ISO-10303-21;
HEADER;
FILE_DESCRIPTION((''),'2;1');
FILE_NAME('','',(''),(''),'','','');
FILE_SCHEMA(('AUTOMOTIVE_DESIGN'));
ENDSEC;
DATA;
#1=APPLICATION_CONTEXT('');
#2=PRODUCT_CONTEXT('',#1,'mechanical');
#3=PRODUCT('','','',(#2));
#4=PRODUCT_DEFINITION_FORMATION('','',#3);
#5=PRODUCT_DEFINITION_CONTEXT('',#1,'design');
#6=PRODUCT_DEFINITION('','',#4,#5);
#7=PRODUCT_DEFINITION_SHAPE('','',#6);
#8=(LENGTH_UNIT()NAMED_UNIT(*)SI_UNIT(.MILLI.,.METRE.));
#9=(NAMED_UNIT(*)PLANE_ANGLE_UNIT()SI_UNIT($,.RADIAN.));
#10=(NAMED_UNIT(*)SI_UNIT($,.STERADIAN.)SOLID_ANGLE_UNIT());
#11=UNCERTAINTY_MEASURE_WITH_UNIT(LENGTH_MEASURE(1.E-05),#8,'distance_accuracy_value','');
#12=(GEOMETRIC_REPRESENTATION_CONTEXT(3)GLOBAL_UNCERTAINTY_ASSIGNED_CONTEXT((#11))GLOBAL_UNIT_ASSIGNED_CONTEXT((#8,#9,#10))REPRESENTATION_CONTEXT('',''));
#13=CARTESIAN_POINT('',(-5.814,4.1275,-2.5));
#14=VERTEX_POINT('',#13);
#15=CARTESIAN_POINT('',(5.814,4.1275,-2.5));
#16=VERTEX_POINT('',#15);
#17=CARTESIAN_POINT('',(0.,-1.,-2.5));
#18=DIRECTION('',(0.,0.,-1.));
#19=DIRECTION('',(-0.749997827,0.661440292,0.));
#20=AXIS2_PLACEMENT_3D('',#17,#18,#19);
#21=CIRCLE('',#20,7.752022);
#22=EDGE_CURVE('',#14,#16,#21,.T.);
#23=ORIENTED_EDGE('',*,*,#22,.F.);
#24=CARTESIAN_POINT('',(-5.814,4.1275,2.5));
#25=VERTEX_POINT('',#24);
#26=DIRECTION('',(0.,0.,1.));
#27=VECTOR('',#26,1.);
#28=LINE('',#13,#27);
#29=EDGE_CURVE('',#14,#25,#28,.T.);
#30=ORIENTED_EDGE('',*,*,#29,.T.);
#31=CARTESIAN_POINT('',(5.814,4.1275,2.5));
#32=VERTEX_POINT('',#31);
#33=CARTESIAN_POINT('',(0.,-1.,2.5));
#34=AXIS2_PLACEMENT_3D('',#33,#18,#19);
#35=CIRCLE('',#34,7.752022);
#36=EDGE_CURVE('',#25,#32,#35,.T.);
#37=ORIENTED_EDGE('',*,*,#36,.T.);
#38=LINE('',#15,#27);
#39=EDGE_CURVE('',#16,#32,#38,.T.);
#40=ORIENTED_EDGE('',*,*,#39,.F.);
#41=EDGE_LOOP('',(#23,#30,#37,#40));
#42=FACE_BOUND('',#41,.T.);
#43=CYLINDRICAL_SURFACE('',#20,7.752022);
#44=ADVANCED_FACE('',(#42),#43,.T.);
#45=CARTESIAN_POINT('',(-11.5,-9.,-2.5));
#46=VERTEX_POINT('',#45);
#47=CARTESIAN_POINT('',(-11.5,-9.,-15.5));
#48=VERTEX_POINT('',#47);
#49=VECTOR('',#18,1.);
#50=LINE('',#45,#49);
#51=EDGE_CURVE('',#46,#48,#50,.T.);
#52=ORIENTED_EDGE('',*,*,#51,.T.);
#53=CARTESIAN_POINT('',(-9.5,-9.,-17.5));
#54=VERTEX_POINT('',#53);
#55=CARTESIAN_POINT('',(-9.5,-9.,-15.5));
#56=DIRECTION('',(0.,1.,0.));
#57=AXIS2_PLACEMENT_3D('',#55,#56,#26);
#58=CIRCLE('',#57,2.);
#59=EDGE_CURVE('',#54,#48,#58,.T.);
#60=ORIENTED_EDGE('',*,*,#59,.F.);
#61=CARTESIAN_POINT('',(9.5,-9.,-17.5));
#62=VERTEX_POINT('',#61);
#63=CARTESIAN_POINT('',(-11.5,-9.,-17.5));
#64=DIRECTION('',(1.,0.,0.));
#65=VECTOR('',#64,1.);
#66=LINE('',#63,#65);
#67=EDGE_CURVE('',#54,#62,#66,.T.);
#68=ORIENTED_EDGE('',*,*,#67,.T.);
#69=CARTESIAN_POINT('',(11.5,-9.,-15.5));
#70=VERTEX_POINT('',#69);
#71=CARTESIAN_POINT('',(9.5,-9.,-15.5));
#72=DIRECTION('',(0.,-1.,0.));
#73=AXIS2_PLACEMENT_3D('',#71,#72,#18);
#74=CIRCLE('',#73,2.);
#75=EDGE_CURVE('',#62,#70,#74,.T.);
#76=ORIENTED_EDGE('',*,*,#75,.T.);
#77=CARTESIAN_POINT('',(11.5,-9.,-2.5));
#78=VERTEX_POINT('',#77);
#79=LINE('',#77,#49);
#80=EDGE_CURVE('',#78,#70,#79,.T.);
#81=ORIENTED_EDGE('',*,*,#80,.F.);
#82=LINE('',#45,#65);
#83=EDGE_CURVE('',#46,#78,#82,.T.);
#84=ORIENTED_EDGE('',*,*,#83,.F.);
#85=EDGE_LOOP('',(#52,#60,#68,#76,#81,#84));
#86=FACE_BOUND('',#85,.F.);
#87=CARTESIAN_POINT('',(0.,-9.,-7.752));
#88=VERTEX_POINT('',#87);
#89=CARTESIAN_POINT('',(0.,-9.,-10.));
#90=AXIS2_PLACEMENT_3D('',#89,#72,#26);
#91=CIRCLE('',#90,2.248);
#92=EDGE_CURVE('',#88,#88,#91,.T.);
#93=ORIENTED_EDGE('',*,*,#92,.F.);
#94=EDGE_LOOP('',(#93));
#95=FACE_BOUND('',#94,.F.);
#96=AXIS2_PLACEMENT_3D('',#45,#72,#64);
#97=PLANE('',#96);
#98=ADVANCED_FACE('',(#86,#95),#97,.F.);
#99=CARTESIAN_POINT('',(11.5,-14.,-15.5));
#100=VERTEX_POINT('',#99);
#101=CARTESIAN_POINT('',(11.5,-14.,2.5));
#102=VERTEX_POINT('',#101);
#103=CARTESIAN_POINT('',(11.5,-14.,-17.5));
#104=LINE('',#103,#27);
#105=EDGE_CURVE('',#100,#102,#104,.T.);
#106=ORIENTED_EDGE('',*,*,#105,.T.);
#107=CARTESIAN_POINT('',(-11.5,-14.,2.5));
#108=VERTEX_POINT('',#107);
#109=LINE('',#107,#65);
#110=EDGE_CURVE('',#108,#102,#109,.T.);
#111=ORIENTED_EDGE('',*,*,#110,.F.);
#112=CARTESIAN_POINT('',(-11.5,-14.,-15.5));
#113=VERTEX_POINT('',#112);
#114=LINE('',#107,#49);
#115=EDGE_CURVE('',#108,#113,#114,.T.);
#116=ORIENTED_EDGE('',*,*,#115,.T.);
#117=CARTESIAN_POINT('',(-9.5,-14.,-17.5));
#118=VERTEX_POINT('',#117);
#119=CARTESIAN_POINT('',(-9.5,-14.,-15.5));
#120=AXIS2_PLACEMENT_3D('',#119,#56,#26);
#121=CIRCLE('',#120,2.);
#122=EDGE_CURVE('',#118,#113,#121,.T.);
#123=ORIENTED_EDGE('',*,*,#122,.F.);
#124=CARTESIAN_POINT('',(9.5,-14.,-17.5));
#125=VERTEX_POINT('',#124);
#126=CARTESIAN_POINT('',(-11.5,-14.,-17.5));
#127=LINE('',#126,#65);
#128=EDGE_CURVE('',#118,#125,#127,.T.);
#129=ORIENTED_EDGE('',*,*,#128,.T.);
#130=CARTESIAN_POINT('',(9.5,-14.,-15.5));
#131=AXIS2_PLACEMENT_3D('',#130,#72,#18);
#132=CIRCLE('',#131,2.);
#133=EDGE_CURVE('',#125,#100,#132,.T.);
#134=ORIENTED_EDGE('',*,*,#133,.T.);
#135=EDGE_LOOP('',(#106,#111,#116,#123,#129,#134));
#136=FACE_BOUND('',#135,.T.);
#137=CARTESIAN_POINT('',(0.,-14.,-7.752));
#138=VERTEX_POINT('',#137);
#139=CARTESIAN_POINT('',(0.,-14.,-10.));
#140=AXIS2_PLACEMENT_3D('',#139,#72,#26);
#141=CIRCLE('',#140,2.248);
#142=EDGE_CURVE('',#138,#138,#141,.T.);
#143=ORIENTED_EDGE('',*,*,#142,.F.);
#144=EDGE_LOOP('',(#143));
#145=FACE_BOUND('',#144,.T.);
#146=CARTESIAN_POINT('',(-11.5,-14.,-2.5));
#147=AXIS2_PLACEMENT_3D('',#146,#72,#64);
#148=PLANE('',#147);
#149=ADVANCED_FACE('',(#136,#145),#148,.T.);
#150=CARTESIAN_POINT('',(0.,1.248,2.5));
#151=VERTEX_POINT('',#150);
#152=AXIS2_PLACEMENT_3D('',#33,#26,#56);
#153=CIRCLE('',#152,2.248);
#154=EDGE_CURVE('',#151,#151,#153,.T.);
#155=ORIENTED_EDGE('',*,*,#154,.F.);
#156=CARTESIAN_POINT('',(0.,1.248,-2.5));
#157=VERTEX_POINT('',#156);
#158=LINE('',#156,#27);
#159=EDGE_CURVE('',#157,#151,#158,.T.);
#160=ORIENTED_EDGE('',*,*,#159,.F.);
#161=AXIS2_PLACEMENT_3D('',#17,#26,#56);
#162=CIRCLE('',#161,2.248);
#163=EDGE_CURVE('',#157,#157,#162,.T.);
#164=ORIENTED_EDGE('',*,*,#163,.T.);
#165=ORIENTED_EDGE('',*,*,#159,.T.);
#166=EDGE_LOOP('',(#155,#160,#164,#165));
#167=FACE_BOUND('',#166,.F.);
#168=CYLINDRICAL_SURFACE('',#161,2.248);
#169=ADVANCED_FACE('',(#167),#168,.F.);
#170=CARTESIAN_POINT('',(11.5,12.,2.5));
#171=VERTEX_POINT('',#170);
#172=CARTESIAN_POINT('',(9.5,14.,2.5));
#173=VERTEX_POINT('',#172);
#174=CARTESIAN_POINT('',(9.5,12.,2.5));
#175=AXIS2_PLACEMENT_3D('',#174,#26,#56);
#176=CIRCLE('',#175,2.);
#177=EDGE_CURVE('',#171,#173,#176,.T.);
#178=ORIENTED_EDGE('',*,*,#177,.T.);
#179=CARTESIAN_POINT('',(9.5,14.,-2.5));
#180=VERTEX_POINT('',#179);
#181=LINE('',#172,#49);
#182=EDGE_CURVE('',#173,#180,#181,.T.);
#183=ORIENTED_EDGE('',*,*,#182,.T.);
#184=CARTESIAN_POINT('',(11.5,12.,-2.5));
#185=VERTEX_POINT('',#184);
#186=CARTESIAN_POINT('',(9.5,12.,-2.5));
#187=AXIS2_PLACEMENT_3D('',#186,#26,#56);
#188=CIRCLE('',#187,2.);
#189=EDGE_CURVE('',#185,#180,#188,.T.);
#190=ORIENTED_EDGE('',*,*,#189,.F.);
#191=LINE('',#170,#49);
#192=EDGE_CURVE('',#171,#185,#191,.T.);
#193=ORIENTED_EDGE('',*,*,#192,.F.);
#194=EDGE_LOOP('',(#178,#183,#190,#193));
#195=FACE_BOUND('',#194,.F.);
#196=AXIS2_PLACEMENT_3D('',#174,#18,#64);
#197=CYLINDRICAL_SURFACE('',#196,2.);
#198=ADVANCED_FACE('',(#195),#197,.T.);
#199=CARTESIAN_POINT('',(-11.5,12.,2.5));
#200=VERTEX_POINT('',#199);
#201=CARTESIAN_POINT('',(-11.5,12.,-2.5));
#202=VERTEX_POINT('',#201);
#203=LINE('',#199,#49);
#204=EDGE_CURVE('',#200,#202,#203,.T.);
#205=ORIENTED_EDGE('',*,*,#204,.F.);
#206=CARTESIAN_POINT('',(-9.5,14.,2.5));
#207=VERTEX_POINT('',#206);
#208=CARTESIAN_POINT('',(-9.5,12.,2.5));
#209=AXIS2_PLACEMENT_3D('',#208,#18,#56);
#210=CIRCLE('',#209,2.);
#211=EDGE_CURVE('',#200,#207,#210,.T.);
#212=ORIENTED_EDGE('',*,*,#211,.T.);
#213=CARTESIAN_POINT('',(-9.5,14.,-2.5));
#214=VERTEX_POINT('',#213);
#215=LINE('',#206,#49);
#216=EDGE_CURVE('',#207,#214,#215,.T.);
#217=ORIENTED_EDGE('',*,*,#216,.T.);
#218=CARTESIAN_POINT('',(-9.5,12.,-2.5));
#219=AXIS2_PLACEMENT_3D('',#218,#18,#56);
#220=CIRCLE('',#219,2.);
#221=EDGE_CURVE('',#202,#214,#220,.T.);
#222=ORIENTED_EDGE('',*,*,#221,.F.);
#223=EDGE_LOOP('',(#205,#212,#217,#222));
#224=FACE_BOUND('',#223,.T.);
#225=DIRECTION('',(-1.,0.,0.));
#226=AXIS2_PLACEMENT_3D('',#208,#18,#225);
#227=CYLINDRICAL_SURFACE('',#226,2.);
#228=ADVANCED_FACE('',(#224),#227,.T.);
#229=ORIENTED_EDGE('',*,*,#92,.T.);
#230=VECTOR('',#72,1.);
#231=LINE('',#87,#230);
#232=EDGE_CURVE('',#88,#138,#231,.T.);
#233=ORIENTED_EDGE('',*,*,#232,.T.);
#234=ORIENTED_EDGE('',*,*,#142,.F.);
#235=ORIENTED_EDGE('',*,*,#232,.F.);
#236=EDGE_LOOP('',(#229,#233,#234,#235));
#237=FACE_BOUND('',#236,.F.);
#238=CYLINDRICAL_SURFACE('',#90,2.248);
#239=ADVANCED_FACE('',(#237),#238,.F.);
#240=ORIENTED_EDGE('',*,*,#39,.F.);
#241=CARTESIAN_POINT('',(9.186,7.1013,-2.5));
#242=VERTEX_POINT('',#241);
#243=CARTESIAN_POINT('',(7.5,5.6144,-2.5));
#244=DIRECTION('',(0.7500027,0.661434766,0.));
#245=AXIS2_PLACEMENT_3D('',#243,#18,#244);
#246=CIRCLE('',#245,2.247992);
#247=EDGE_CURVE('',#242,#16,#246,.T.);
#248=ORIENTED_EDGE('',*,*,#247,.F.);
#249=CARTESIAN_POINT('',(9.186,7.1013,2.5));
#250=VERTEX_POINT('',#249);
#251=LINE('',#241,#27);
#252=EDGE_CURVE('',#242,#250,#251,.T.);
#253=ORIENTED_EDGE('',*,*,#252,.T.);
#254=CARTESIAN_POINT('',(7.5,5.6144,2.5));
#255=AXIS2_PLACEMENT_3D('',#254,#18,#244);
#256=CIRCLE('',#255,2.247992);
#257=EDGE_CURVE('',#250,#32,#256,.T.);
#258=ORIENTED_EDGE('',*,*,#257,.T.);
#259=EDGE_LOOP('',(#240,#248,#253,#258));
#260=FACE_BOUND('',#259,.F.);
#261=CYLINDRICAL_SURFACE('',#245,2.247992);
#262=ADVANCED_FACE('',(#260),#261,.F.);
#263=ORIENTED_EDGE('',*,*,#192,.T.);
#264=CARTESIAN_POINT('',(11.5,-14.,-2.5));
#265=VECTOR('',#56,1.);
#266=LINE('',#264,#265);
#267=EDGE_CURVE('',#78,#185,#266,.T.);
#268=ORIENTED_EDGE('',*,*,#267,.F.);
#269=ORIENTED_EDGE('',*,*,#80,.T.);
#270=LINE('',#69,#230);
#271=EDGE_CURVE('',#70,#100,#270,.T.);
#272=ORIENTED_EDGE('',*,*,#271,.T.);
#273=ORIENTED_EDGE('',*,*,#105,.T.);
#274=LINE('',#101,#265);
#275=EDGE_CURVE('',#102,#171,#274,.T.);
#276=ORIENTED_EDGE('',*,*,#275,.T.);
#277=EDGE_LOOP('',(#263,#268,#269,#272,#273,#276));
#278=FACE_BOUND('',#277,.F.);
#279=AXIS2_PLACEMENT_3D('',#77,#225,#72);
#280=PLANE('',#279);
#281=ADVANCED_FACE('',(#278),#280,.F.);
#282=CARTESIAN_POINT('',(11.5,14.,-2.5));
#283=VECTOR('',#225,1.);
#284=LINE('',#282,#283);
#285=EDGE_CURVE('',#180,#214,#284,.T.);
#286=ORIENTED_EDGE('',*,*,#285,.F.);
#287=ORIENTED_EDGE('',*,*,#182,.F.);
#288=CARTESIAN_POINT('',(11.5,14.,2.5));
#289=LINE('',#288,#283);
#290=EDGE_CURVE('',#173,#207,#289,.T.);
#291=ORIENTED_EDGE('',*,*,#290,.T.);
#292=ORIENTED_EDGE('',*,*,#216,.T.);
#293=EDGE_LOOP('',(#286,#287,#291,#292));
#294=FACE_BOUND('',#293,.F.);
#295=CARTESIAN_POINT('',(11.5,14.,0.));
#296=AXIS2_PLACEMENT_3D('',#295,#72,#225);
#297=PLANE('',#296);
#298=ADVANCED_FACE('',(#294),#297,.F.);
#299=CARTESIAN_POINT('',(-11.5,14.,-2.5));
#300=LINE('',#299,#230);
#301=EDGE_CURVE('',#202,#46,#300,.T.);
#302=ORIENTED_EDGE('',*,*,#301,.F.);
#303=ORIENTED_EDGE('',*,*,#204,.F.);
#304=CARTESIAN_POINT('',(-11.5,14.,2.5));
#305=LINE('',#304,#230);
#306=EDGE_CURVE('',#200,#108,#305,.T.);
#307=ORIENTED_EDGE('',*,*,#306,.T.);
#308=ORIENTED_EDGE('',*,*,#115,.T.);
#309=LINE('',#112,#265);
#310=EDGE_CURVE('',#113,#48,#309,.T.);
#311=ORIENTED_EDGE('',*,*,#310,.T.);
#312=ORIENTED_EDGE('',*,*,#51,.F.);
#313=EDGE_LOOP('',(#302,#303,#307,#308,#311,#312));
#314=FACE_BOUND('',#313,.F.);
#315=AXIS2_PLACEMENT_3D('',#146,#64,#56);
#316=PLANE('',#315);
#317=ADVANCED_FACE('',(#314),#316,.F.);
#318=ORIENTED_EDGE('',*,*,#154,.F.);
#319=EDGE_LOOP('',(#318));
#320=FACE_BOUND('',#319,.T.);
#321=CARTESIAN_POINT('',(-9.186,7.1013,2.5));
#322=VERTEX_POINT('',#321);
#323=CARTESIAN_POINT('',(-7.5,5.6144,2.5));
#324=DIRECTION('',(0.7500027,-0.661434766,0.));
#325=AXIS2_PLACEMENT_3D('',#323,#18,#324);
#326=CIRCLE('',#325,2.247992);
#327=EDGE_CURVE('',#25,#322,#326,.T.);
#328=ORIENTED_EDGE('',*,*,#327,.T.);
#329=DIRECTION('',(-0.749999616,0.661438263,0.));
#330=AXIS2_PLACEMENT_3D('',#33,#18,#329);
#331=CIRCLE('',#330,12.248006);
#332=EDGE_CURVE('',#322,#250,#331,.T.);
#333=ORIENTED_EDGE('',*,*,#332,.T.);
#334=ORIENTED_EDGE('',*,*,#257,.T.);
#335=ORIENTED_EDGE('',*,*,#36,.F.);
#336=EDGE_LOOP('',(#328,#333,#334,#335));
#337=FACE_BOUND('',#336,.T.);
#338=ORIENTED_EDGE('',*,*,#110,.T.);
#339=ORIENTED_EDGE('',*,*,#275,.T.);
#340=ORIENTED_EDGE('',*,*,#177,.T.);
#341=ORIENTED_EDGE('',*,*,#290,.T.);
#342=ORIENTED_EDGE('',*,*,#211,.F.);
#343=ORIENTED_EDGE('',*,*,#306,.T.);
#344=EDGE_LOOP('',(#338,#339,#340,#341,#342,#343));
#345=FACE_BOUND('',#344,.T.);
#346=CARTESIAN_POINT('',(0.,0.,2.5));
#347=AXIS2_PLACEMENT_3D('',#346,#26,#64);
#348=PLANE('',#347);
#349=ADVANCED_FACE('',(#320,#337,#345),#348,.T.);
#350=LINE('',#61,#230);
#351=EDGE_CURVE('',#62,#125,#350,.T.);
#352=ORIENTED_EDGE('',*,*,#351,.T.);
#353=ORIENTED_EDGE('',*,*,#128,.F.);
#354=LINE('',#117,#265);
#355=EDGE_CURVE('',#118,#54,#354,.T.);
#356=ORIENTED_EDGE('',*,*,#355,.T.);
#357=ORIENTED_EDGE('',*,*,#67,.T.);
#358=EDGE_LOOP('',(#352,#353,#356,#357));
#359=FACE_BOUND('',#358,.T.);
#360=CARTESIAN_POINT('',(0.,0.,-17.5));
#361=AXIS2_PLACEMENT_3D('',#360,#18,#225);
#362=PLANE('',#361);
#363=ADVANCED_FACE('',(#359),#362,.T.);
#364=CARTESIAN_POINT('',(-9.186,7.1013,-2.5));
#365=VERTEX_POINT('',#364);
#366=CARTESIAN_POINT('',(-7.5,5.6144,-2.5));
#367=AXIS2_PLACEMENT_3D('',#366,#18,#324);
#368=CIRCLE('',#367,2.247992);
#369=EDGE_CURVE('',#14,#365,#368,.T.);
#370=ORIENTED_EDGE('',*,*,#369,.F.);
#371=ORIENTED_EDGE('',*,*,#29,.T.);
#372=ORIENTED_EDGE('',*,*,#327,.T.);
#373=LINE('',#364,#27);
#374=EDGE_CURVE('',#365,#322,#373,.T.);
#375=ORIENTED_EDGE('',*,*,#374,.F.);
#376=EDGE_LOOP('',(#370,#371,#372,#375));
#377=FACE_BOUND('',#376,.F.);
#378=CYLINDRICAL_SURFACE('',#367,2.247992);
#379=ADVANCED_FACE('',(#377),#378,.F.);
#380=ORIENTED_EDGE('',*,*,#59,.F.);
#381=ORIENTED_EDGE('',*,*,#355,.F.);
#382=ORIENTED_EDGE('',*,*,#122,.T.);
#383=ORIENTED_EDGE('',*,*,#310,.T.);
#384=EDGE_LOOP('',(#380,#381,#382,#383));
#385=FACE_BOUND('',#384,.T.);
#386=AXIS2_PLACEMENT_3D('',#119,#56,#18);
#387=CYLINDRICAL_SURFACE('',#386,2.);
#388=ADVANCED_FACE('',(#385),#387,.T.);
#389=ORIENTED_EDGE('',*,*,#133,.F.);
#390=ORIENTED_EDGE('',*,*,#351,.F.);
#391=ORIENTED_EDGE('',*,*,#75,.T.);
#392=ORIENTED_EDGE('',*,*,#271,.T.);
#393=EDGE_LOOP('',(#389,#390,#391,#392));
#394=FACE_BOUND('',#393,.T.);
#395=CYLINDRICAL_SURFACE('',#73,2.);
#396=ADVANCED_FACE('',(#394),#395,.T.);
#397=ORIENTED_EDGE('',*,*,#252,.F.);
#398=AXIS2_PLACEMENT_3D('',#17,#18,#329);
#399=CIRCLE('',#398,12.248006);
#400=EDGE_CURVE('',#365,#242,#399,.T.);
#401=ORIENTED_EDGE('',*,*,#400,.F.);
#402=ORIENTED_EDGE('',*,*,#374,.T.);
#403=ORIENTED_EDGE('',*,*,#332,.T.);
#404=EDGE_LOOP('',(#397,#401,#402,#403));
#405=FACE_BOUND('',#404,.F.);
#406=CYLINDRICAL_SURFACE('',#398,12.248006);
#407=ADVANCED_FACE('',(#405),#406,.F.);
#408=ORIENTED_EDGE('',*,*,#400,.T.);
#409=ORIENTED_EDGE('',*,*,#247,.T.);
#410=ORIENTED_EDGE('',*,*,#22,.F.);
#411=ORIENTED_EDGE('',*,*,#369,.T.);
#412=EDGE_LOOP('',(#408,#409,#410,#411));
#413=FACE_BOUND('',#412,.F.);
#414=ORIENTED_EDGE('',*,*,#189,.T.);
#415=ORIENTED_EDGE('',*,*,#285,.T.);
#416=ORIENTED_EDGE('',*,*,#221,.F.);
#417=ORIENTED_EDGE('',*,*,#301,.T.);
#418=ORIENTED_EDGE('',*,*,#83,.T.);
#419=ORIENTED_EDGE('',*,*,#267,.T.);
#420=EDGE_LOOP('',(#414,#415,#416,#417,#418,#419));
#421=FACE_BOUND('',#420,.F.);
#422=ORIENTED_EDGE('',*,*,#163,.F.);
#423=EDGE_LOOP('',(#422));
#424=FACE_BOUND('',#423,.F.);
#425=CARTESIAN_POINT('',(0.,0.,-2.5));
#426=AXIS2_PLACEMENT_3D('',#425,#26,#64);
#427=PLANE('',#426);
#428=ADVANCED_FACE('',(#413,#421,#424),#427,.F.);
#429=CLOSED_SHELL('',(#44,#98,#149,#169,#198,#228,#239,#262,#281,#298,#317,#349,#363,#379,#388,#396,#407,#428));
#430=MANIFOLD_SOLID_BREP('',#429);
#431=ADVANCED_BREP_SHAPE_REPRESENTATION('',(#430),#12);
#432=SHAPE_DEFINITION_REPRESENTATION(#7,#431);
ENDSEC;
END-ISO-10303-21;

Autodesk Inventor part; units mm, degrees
ref_plane "YZ Plane" through (0, 0, 0) normal (1, 0, 0) x (0, 1, 0)
ref_plane "XZ Plane" through (0, 0, 0) normal (0, 1, 0) x (-1, 0, 0)
ref_plane "XY Plane" through (0, 0, 0) normal (0, 0, 1) x (1, 0, 0)
sketch "Sketch1" plane through (0, 0, 0) normal (0, 0, 1) x (1, 0, 0)
  line L0 (-11.5, -14) -> (11.5, -14)
  line L1 (11.5, -14) -> (11.5, 14)
  line L2 (11.5, 14) -> (-11.5, 14)
  line L3 (-11.5, 14) -> (-11.5, -14)
  line L4 (-11.5, -14) -> (11.5, 14) construction
  line L5 (11.5, -14) -> (-11.5, 14) construction
  point P0 (0, 0)
  dimension "d0" = 23
  dimension "d1" = 28
extrude "Extrusion1" add sketch "Sketch1" along normal mid plane 5
sketch "Sketch2" plane through (0, 0, -2.5) normal (0, 0, -1) x (-1, 0, 0)
  line L0 (11.5, -14) -> (-11.5, -14) projected
  line L1 (-11.5, -14) -> (11.5, -14)
  line L2 (11.5, -14) -> (11.5, -9)
  line L3 (11.5, -9) -> (-11.5, -9)
  line L4 (-11.5, -9) -> (-11.5, -14)
  line L5 (11.5, -14) -> (11.5, 14) projected
  point P0 (0, 0)
  dimension "d4" = 5
extrude "Extrusion2" add sketch "Sketch2" along normal blind 15
sketch "Sketch3" plane through (-11.5, -9, -2.5) normal (0, 1, 0) x (1, 0, 0)
  line L0 (0, 0) -> (0, 15) projected
  line L1 (0, 15) -> (23, 15) projected
  point P0 (11.5, -2.5)
  point P1 (11.5, 7.5)
  point P2 (0, 7.5)
  point P3 (11.5, 15)
hole "Hole1" at (0, -9, -10) direction (0, -1, 0) diameter 4.496 end through all clearance for "Flat Head Machine Screw (82)" size "#8" standard "Ansi Unified Screw Threads"
sketch "Sketch4" plane through (0, 0, -2.5) normal (0, 0, -1) x (-1, 0, 0)
  line L0 (11.5, 14) -> (-11.5, 14) projected
  line L1 (11.5, -9) -> (-11.5, -9) projected
  point P0 (0, 0)
  point P1 (0, -1)
  point P2 (0, 14)
  dimension "d14" = 8
hole "Hole2" at (0, -1, -2.5) direction (0, 0, 1) diameter 4.496 end through all clearance for "Flat Head Machine Screw (82)" size "#8" standard "Ansi Unified Screw Threads"
sketch "Sketch5" plane through (0, 0, -2.5) normal (0, 0, -1) x (-1, 0, 0)
  circle A0 centre (0, -1) radius 10 construction
  arc A1 (-9.186, 7.1013) -> (-5.814, 4.1275) centre (-7.5, 5.6144) ccw
  arc A2 (5.814, 4.1275) -> (9.186, 7.1013) centre (7.5, 5.6144) ccw
  arc A3 (9.186, 7.1013) -> (-9.186, 7.1013) centre (0, -1) ccw
  arc A4 (5.814, 4.1275) -> (-5.814, 4.1275) centre (0, -1) ccw
  line L0 (-7.5, 5.6144) -> (7.5, 5.6144) construction
  line L1 (-11.5, 14) -> (-11.5, -9) construction
  circle A5 centre (0, -1) radius 2.248 projected
  point P0 (0, 5.6144)
  dimension "d22" = 20
  dimension "d23" = 4.496
  dimension "d24" = 4
extrude "Extrusion3" cut sketch "Sketch5" against normal through all contours A3 A2 A4 A1
fillet "Fillet1" radius 2 4 edges at (11.5, 14, 0) (-11.5, 14, 0) (11.5, -11.5, -17.5) (-11.5, -11.5, -17.5)
properties part number "RotateLBracket"
